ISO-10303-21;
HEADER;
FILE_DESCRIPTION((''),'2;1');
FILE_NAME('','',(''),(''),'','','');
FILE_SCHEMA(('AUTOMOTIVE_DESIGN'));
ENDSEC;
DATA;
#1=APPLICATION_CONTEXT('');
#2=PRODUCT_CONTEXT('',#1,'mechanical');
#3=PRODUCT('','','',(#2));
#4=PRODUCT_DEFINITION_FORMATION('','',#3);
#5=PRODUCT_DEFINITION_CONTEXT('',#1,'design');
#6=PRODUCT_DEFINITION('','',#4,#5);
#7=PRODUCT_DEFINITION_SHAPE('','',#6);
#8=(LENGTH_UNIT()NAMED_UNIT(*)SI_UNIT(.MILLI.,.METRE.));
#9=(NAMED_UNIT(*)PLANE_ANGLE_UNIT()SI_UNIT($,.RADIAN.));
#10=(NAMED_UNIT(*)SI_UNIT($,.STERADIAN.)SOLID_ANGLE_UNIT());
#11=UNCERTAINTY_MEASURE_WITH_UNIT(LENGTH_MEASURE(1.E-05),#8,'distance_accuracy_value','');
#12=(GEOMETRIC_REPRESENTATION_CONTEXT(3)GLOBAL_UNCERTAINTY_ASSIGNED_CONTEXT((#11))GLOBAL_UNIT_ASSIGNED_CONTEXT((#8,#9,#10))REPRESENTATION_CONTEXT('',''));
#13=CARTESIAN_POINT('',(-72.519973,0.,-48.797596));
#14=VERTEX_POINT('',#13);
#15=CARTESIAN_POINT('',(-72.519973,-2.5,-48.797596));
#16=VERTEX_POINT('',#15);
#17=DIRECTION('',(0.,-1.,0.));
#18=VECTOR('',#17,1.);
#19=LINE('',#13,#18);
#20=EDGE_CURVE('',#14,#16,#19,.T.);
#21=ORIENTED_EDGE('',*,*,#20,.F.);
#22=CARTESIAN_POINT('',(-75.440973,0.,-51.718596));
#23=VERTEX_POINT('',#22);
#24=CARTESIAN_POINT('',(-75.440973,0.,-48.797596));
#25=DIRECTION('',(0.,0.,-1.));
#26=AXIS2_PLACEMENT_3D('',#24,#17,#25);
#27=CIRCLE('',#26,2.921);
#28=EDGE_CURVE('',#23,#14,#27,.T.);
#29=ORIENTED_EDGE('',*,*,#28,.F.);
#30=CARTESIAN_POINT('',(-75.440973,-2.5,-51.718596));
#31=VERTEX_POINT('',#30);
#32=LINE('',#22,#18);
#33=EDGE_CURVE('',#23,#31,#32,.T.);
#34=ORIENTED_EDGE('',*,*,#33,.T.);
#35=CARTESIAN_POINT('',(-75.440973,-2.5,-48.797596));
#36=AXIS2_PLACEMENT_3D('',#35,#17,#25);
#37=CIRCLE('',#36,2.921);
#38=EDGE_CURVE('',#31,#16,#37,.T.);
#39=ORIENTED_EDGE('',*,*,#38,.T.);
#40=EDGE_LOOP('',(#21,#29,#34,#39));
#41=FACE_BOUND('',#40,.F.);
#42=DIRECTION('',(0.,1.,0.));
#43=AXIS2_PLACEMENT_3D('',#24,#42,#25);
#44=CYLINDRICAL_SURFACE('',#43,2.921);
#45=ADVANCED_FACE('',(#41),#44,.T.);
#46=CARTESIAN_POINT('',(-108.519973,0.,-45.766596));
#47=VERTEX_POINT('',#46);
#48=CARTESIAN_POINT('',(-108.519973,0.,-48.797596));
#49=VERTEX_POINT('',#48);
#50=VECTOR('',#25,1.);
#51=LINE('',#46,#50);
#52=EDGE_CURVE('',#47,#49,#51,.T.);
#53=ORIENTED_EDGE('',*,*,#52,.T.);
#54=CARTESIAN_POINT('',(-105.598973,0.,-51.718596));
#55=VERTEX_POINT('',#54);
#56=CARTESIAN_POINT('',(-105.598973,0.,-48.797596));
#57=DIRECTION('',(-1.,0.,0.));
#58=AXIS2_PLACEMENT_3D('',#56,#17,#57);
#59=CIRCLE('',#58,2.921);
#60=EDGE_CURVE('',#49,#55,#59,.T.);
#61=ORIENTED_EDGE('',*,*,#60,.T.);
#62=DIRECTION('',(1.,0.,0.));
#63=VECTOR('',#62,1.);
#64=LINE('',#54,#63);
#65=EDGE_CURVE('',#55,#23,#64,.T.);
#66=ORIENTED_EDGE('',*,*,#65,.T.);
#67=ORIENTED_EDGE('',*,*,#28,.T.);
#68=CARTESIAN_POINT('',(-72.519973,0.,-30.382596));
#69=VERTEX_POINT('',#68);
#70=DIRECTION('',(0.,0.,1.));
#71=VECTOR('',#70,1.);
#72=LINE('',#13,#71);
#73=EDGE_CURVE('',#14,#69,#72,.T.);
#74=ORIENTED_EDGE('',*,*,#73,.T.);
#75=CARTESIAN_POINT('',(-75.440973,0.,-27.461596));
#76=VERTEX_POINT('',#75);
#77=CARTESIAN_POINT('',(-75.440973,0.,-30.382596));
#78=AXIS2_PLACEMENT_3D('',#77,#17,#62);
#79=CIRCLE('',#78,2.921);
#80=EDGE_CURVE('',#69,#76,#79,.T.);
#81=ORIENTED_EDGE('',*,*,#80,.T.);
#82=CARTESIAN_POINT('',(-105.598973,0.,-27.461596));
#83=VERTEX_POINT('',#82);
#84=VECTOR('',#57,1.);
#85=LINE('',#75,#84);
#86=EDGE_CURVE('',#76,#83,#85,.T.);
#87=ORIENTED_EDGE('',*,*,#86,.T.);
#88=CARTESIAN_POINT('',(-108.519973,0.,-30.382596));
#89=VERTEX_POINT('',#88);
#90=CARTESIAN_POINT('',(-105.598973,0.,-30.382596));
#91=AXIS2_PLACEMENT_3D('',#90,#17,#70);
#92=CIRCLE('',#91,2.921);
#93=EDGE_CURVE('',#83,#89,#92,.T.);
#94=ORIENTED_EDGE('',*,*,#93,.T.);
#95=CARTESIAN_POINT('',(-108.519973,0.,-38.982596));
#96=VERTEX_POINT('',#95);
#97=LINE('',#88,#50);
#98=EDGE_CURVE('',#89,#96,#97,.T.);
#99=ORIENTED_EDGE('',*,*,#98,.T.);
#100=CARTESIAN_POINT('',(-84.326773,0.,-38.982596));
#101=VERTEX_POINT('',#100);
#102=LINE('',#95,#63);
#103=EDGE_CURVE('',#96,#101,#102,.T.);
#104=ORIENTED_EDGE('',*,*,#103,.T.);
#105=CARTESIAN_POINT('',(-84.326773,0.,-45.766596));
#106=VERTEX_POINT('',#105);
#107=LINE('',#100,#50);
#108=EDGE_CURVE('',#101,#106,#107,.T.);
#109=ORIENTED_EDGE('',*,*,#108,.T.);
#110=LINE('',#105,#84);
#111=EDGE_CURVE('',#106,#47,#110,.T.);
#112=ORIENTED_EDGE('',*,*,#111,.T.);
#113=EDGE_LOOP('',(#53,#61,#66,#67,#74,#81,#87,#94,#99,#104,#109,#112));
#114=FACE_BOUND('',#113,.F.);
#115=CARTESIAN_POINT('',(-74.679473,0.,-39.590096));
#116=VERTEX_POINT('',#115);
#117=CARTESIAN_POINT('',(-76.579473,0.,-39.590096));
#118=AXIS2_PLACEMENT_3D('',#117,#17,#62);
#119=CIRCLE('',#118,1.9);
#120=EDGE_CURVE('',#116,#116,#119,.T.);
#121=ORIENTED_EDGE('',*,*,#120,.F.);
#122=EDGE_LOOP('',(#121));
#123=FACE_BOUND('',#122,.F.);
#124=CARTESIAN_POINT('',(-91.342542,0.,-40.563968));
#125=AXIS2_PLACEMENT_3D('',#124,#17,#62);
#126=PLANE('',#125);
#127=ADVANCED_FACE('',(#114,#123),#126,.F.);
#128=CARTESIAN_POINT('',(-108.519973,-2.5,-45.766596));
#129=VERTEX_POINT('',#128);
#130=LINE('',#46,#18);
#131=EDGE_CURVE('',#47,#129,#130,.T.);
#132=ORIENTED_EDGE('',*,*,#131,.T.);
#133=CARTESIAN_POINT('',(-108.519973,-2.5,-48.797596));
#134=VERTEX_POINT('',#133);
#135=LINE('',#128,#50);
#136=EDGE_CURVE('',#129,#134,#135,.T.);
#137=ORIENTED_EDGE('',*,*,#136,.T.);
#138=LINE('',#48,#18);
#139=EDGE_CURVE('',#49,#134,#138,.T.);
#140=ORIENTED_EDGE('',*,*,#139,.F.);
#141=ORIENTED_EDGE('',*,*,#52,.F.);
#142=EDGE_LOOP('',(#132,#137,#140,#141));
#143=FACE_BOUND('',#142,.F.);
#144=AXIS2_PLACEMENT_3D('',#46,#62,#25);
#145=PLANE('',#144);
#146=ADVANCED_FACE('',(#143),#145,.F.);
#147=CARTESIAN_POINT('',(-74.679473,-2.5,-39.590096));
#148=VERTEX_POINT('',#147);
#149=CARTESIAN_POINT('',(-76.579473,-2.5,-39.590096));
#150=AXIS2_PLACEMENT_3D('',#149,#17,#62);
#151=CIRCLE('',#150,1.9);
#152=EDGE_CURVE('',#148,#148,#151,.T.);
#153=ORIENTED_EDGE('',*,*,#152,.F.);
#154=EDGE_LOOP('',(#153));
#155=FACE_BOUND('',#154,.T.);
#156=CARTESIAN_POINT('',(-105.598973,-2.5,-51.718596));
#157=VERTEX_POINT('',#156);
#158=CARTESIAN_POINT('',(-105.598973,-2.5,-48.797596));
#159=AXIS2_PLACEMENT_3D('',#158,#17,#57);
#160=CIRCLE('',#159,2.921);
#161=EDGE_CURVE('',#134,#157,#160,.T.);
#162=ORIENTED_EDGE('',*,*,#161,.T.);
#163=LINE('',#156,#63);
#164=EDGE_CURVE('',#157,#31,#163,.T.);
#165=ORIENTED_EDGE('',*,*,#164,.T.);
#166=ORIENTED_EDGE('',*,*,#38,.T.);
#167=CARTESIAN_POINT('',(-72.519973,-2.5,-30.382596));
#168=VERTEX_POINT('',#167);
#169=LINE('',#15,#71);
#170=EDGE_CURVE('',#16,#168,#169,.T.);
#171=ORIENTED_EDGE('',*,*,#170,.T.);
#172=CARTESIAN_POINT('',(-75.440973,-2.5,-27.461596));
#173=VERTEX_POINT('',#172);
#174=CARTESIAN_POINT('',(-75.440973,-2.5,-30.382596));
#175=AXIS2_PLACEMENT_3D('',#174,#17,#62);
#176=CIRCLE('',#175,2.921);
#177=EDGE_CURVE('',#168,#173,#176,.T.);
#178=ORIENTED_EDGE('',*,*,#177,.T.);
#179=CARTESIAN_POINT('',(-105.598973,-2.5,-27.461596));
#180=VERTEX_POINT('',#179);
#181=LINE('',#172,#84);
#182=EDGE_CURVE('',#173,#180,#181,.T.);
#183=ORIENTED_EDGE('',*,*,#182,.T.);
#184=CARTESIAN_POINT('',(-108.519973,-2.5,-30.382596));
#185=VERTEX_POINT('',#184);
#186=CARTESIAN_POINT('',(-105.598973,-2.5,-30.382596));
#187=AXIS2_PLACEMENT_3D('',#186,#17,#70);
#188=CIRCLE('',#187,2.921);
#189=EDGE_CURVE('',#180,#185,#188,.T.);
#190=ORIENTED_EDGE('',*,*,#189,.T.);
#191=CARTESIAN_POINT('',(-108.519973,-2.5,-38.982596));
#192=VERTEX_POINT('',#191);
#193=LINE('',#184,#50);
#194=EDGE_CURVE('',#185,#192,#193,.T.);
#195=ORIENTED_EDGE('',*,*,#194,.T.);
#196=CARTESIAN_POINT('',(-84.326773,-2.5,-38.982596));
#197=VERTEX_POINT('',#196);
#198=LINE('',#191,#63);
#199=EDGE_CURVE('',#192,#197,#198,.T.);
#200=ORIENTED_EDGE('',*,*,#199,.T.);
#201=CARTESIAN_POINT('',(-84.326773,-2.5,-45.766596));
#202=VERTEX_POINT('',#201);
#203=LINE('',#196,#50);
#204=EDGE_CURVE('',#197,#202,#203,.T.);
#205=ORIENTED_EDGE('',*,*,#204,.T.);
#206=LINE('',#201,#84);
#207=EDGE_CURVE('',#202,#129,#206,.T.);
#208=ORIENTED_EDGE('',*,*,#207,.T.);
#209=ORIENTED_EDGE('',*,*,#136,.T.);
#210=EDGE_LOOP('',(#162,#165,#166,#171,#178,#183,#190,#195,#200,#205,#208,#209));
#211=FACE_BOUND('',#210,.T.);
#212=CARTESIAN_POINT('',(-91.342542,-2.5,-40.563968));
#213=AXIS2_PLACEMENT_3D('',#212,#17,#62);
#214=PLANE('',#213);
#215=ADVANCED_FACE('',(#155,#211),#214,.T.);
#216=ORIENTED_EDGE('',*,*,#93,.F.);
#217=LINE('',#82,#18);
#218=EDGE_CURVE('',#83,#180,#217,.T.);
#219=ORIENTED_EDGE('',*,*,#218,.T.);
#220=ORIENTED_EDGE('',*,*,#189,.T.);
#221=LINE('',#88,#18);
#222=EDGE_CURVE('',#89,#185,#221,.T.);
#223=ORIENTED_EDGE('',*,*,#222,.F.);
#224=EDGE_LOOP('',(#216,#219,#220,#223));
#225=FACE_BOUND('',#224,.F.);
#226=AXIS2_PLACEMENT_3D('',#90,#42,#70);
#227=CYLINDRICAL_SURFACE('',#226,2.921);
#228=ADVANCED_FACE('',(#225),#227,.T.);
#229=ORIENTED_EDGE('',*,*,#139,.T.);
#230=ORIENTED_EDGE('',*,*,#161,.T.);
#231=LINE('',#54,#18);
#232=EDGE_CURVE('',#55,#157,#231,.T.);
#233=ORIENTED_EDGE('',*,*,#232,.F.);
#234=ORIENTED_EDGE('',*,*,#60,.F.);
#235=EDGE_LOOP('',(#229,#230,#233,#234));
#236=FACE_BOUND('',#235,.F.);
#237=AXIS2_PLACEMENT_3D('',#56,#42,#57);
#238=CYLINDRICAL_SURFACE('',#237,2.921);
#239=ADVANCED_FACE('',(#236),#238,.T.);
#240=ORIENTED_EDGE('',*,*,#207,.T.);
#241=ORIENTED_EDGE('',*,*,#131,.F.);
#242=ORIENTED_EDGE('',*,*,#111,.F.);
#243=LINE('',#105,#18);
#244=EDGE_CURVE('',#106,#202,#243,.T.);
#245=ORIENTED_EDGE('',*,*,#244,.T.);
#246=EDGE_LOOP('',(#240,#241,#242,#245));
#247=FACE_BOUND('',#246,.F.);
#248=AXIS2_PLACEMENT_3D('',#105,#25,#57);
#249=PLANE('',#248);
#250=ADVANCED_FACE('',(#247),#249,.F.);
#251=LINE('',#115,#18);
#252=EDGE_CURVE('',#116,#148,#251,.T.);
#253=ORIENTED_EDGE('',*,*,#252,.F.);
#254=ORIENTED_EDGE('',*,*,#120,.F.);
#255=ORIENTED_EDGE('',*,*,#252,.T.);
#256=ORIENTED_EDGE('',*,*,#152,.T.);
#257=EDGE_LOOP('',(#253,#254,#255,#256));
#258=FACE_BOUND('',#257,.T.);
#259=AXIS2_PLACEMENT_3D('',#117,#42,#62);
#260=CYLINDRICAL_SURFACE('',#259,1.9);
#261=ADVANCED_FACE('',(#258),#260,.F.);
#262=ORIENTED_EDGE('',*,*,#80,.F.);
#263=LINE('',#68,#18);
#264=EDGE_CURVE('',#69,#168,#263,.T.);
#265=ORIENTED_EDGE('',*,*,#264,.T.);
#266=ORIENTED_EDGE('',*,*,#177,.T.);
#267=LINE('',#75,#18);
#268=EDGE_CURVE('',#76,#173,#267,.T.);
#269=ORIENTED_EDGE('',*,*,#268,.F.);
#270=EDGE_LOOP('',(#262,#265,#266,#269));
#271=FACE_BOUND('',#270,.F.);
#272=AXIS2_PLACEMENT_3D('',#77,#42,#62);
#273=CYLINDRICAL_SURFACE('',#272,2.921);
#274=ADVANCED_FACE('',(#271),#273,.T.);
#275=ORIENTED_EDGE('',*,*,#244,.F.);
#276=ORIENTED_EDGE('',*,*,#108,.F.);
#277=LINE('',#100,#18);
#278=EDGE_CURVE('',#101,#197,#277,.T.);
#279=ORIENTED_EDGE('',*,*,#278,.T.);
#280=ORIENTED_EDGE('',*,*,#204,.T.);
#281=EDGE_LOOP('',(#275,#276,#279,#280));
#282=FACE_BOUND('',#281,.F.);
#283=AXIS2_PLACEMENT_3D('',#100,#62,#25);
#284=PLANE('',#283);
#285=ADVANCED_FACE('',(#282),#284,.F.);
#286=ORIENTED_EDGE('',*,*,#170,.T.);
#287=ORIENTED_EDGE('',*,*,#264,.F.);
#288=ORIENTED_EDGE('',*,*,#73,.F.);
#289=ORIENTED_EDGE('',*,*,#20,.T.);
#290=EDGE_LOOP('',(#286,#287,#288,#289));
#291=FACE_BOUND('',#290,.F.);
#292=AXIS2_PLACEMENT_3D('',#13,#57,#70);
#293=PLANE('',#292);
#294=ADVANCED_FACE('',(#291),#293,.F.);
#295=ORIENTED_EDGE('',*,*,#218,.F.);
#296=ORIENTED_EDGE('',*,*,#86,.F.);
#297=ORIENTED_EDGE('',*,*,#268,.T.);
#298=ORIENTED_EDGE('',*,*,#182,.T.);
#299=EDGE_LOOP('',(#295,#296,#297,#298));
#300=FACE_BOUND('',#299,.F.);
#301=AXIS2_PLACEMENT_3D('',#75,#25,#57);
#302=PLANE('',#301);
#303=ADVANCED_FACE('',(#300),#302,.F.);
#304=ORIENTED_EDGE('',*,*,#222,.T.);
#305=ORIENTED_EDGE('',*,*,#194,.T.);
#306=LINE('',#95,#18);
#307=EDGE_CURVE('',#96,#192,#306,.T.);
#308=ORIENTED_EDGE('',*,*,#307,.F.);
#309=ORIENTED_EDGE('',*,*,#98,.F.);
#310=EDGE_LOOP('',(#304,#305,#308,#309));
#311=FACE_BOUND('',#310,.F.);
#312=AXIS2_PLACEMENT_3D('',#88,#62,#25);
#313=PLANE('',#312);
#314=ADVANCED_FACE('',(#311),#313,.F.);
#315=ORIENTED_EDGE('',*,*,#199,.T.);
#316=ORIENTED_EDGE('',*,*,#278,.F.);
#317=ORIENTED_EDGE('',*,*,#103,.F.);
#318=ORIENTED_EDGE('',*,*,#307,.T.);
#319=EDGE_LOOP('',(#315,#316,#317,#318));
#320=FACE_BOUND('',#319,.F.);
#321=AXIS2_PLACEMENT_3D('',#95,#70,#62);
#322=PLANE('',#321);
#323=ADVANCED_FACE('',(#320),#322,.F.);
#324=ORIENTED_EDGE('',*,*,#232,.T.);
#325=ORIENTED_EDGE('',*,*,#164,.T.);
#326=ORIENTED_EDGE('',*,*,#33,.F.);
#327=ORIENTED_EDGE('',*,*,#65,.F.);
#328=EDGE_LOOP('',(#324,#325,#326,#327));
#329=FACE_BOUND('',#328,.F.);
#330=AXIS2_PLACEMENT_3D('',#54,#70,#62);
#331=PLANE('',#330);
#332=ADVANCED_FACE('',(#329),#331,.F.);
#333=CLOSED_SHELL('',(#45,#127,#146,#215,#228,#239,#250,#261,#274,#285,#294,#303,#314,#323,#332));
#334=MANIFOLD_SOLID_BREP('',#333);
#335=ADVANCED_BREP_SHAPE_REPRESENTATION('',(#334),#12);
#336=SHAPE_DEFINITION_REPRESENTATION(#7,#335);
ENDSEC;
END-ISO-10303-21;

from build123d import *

# Parameters (mm, degrees)
F0_R     = 1.9
F0_R_2   = 1.2
F1_DEPTH = 2.5


with BuildPart() as f1:
    # F0 (on Front) → F1 (new body)
    with BuildSketch(Plane.XZ):
        with BuildLine():
            Line((-75.4409729668, -27.461595714), (-105.5989729668, -27.461595714))
            ThreePointArc((-105.5989729668, -27.461595714), (-107.6644318746, -28.3171368061), (-108.5199729668, -30.382595714))
            Line((-108.5199729668, -30.382595714), (-108.5199729668, -38.982595714))
            Line((-108.5199729668, -38.982595714), (-84.3267729668, -38.982595714))
            Line((-84.3267729668, -38.982595714), (-84.3267729668, -43.232595714))
            Line((-84.3267729668, -43.232595714), (-84.3267729668, -43.516595714))
            Line((-84.3267729668, -43.516595714), (-84.3267729668, -45.766595714))
            Line((-84.3267729668, -45.766595714), (-87.5695321803, -45.766595714))
            ThreePointArc((-87.5695321803, -45.766595714), (-88.9111729668, -46.766595714), (-90.2528137533, -45.766595714))
            Line((-90.2528137533, -45.766595714), (-91.9383321803, -45.766595714))
            ThreePointArc((-91.9383321803, -45.766595714), (-93.2799729668, -46.766595714), (-94.6216137533, -45.766595714))
            Line((-94.6216137533, -45.766595714), (-96.3071321803, -45.766595714))
            ThreePointArc((-96.3071321803, -45.766595714), (-97.6487729668, -46.766595714), (-98.9904137533, -45.766595714))
            Line((-98.9904137533, -45.766595714), (-100.6759321803, -45.766595714))
            ThreePointArc((-100.6759321803, -45.766595714), (-102.0175729668, -46.766595714), (-103.3592137533, -45.766595714))
            Line((-103.3592137533, -45.766595714), (-108.5199729668, -45.766595714))
            Line((-108.5199729668, -45.766595714), (-108.5199729668, -48.797595714))
            ThreePointArc((-108.5199729668, -48.797595714), (-107.6644318746, -50.8630546218), (-105.5989729668, -51.718595714))
            Line((-105.5989729668, -51.718595714), (-75.4409729668, -51.718595714))
            ThreePointArc((-75.4409729668, -51.718595714), (-73.3755140589, -50.8630546218), (-72.5199729668, -48.797595714))
            Line((-72.5199729668, -48.797595714), (-72.5199729668, -43.218595714))
            Line((-72.5199729668, -43.218595714), (-72.5199729668, -30.382595714))
            ThreePointArc((-72.5199729668, -30.382595714), (-73.3755140589, -28.3171368061), (-75.4409729668, -27.461595714))
        make_face()
        with BuildLine():
            ThreePointArc((-77.6666417669, -47.210095714), (-76.8396627435, -45.5306430772), (-75.3794729668, -46.702095714))
            ThreePointArc((-75.3794729668, -46.702095714), (-75.40802033, -46.9622854907), (-75.4923041666, -47.210095714))
            ThreePointArc((-75.4923041666, -47.210095714), (-75.40802033, -47.4579059372), (-75.3794729668, -47.718095714))
            ThreePointArc((-75.3794729668, -47.718095714), (-76.8396627435, -48.8895483507), (-77.6666417669, -47.210095714))
        make_face(mode=Mode.SUBTRACT)
        with Locations((-76.5794729668, -39.590095714)):
            Circle(F0_R, mode=Mode.SUBTRACT)
        with Locations((-76.5794729668, -31.970095714)):
            Circle(F0_R_2, mode=Mode.SUBTRACT)
        with Locations((-76.5794729668, -31.970095714)):
            Circle(F0_R_2)
        with BuildLine():
            ThreePointArc((-75.4923041666, -47.210095714), (-76.5794729668, -47.902095714), (-77.6666417669, -47.210095714))
            ThreePointArc((-77.6666417669, -47.210095714), (-76.8396627435, -48.8895483507), (-75.3794729668, -47.718095714))
            ThreePointArc((-75.3794729668, -47.718095714), (-75.40802033, -47.4579059372), (-75.4923041666, -47.210095714))
        make_face()
        with BuildLine():
            ThreePointArc((-75.4923041666, -47.210095714), (-76.5794729668, -46.518095714), (-77.6666417669, -47.210095714))
            ThreePointArc((-77.6666417669, -47.210095714), (-76.5794729668, -47.902095714), (-75.4923041666, -47.210095714))
        make_face()
        with BuildLine():
            ThreePointArc((-75.4923041666, -47.210095714), (-75.40802033, -46.9622854907), (-75.3794729668, -46.702095714))
            ThreePointArc((-75.3794729668, -46.702095714), (-76.8396627435, -45.5306430772), (-77.6666417669, -47.210095714))
            ThreePointArc((-77.6666417669, -47.210095714), (-76.5794729668, -46.518095714), (-75.4923041666, -47.210095714))
        make_face()
        with BuildLine():
            Line((-100.6759321803, -45.766595714), (-103.3592137533, -45.766595714))
            ThreePointArc((-103.3592137533, -45.766595714), (-102.0175729668, -46.766595714), (-100.6759321803, -45.766595714))
        make_face()
        with BuildLine():
            Line((-96.3071321803, -45.766595714), (-98.9904137533, -45.766595714))
            ThreePointArc((-98.9904137533, -45.766595714), (-97.6487729668, -46.766595714), (-96.3071321803, -45.766595714))
        make_face()
        with BuildLine():
            ThreePointArc((-94.6216137533, -45.766595714), (-93.2799729668, -46.766595714), (-91.9383321803, -45.766595714))
            Line((-91.9383321803, -45.766595714), (-94.6216137533, -45.766595714))
        make_face()
        with BuildLine():
            ThreePointArc((-90.2528137533, -45.766595714), (-88.9111729668, -46.766595714), (-87.5695321803, -45.766595714))
            Line((-87.5695321803, -45.766595714), (-90.2528137533, -45.766595714))
        make_face()
    extrude(amount=F1_DEPTH)


solid = f1.part
